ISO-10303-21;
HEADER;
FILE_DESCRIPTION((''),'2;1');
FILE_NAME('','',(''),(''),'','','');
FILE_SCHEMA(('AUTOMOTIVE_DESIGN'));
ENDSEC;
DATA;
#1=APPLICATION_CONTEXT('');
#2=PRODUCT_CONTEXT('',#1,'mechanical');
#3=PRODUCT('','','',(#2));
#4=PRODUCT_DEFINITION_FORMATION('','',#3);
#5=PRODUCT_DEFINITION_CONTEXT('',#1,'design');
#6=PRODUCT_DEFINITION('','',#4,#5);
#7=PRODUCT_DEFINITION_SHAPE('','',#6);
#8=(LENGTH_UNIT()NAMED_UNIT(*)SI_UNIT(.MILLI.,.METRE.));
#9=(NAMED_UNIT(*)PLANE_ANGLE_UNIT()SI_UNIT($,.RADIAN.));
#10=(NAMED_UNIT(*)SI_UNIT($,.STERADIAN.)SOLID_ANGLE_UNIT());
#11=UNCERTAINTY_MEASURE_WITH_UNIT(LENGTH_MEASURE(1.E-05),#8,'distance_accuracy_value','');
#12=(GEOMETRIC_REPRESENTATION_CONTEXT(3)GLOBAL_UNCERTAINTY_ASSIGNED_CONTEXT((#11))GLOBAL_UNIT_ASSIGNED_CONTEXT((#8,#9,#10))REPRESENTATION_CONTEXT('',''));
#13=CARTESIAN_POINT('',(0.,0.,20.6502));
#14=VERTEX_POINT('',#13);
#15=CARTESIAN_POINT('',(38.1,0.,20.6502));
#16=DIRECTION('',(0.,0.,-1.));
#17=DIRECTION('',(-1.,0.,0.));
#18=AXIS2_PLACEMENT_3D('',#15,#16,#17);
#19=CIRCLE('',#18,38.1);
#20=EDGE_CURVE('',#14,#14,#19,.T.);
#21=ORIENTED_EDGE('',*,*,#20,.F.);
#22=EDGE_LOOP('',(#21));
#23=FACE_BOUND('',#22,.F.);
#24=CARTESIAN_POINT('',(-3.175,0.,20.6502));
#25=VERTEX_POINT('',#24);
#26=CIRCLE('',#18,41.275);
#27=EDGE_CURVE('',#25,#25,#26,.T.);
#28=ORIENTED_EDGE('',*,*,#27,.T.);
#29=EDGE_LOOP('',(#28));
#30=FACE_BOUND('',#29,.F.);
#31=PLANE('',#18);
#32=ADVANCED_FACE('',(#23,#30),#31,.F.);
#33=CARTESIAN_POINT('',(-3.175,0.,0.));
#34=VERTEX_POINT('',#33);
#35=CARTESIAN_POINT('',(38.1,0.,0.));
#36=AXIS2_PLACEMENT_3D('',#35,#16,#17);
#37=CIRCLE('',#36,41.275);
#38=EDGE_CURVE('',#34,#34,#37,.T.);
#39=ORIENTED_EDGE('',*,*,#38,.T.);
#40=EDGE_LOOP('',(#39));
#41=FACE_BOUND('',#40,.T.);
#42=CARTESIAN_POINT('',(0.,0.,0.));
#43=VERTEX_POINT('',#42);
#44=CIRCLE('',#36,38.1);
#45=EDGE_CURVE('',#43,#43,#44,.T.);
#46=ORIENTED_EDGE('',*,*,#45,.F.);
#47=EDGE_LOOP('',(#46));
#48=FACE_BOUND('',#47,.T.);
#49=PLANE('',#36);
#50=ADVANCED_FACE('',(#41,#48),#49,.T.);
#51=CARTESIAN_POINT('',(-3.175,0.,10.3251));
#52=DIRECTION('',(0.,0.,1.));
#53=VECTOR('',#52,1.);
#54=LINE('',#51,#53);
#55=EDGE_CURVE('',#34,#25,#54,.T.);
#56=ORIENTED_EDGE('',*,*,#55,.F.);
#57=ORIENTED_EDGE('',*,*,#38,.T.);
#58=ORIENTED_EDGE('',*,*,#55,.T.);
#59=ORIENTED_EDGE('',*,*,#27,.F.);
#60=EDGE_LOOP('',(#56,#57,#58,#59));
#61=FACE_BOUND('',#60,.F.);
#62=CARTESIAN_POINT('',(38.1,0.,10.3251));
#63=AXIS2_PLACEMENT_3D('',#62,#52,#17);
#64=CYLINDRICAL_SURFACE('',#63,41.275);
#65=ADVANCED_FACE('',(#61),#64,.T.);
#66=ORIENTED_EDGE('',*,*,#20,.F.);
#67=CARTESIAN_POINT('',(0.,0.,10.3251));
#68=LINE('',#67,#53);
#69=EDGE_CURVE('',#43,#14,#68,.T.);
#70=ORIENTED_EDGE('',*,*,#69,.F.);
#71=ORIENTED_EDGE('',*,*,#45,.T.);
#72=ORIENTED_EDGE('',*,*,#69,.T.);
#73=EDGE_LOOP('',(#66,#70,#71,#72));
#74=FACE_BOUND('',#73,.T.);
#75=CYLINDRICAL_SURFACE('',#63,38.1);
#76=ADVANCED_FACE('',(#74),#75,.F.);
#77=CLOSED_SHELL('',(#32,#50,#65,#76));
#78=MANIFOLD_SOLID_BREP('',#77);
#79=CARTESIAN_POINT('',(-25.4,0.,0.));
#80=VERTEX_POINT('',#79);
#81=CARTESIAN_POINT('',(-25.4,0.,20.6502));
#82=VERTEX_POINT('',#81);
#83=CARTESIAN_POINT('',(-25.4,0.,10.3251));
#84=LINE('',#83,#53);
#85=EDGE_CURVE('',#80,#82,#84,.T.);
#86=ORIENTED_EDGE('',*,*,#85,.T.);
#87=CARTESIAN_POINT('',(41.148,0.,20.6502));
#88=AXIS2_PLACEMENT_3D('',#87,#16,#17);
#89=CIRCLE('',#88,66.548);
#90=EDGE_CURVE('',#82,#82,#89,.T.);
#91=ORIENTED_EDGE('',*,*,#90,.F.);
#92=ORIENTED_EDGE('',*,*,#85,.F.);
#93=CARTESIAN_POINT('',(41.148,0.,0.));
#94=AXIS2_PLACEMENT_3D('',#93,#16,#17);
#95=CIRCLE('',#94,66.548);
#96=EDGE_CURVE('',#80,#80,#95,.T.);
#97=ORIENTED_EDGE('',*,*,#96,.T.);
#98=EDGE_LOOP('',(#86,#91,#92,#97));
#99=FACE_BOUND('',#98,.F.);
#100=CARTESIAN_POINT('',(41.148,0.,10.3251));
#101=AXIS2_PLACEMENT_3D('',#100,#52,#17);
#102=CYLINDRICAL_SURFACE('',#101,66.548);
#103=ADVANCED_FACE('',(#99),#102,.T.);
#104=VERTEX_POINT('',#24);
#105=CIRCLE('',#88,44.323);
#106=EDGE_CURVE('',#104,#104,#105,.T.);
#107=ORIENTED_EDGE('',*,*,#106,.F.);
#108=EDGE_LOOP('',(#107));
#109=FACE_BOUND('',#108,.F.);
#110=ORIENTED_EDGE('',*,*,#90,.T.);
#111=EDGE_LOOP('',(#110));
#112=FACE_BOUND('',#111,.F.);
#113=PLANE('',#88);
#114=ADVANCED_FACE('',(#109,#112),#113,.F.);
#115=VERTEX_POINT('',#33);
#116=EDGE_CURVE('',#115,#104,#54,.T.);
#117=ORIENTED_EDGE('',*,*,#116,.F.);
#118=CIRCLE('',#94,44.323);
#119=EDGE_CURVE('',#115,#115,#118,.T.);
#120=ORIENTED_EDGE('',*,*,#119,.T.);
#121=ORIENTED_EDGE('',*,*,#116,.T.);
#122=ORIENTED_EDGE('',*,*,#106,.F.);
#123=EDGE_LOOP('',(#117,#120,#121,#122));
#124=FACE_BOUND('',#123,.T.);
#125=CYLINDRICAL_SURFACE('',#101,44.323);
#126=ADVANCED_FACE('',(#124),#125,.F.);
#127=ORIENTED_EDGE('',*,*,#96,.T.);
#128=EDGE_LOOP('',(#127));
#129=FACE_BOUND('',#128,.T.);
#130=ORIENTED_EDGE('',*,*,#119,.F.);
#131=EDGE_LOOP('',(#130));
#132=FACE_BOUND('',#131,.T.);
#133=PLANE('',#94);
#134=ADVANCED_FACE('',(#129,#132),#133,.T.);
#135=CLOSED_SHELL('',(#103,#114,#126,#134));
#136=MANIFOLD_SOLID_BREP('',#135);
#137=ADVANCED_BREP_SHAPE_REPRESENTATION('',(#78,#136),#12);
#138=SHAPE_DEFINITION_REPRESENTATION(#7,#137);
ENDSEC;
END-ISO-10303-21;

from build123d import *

# Parameters (mm, degrees)
F0_W = 3.175
F0_H = 20.6502
F1_W = 22.225
F1_H = 20.6502


with BuildPart() as f2:
    # F0 (on Front) → F2 (revolve)
    with BuildSketch(Plane.XZ):
        with Locations((-1.5875, 10.3251)):
            Rectangle(F0_W, F0_H)
    revolve(axis=Axis((38.1, 0, 3.615384), (0, 0, -1)))

    # F1 (on Front) → F3 (revolve)
    with BuildSketch(Plane.XZ):
        with Locations((-14.2875, 10.3251)):
            Rectangle(F1_W, F1_H)
    revolve(axis=Axis((41.148, 0, 9.431434), (0, 0, -1)))


solid = f2.part
